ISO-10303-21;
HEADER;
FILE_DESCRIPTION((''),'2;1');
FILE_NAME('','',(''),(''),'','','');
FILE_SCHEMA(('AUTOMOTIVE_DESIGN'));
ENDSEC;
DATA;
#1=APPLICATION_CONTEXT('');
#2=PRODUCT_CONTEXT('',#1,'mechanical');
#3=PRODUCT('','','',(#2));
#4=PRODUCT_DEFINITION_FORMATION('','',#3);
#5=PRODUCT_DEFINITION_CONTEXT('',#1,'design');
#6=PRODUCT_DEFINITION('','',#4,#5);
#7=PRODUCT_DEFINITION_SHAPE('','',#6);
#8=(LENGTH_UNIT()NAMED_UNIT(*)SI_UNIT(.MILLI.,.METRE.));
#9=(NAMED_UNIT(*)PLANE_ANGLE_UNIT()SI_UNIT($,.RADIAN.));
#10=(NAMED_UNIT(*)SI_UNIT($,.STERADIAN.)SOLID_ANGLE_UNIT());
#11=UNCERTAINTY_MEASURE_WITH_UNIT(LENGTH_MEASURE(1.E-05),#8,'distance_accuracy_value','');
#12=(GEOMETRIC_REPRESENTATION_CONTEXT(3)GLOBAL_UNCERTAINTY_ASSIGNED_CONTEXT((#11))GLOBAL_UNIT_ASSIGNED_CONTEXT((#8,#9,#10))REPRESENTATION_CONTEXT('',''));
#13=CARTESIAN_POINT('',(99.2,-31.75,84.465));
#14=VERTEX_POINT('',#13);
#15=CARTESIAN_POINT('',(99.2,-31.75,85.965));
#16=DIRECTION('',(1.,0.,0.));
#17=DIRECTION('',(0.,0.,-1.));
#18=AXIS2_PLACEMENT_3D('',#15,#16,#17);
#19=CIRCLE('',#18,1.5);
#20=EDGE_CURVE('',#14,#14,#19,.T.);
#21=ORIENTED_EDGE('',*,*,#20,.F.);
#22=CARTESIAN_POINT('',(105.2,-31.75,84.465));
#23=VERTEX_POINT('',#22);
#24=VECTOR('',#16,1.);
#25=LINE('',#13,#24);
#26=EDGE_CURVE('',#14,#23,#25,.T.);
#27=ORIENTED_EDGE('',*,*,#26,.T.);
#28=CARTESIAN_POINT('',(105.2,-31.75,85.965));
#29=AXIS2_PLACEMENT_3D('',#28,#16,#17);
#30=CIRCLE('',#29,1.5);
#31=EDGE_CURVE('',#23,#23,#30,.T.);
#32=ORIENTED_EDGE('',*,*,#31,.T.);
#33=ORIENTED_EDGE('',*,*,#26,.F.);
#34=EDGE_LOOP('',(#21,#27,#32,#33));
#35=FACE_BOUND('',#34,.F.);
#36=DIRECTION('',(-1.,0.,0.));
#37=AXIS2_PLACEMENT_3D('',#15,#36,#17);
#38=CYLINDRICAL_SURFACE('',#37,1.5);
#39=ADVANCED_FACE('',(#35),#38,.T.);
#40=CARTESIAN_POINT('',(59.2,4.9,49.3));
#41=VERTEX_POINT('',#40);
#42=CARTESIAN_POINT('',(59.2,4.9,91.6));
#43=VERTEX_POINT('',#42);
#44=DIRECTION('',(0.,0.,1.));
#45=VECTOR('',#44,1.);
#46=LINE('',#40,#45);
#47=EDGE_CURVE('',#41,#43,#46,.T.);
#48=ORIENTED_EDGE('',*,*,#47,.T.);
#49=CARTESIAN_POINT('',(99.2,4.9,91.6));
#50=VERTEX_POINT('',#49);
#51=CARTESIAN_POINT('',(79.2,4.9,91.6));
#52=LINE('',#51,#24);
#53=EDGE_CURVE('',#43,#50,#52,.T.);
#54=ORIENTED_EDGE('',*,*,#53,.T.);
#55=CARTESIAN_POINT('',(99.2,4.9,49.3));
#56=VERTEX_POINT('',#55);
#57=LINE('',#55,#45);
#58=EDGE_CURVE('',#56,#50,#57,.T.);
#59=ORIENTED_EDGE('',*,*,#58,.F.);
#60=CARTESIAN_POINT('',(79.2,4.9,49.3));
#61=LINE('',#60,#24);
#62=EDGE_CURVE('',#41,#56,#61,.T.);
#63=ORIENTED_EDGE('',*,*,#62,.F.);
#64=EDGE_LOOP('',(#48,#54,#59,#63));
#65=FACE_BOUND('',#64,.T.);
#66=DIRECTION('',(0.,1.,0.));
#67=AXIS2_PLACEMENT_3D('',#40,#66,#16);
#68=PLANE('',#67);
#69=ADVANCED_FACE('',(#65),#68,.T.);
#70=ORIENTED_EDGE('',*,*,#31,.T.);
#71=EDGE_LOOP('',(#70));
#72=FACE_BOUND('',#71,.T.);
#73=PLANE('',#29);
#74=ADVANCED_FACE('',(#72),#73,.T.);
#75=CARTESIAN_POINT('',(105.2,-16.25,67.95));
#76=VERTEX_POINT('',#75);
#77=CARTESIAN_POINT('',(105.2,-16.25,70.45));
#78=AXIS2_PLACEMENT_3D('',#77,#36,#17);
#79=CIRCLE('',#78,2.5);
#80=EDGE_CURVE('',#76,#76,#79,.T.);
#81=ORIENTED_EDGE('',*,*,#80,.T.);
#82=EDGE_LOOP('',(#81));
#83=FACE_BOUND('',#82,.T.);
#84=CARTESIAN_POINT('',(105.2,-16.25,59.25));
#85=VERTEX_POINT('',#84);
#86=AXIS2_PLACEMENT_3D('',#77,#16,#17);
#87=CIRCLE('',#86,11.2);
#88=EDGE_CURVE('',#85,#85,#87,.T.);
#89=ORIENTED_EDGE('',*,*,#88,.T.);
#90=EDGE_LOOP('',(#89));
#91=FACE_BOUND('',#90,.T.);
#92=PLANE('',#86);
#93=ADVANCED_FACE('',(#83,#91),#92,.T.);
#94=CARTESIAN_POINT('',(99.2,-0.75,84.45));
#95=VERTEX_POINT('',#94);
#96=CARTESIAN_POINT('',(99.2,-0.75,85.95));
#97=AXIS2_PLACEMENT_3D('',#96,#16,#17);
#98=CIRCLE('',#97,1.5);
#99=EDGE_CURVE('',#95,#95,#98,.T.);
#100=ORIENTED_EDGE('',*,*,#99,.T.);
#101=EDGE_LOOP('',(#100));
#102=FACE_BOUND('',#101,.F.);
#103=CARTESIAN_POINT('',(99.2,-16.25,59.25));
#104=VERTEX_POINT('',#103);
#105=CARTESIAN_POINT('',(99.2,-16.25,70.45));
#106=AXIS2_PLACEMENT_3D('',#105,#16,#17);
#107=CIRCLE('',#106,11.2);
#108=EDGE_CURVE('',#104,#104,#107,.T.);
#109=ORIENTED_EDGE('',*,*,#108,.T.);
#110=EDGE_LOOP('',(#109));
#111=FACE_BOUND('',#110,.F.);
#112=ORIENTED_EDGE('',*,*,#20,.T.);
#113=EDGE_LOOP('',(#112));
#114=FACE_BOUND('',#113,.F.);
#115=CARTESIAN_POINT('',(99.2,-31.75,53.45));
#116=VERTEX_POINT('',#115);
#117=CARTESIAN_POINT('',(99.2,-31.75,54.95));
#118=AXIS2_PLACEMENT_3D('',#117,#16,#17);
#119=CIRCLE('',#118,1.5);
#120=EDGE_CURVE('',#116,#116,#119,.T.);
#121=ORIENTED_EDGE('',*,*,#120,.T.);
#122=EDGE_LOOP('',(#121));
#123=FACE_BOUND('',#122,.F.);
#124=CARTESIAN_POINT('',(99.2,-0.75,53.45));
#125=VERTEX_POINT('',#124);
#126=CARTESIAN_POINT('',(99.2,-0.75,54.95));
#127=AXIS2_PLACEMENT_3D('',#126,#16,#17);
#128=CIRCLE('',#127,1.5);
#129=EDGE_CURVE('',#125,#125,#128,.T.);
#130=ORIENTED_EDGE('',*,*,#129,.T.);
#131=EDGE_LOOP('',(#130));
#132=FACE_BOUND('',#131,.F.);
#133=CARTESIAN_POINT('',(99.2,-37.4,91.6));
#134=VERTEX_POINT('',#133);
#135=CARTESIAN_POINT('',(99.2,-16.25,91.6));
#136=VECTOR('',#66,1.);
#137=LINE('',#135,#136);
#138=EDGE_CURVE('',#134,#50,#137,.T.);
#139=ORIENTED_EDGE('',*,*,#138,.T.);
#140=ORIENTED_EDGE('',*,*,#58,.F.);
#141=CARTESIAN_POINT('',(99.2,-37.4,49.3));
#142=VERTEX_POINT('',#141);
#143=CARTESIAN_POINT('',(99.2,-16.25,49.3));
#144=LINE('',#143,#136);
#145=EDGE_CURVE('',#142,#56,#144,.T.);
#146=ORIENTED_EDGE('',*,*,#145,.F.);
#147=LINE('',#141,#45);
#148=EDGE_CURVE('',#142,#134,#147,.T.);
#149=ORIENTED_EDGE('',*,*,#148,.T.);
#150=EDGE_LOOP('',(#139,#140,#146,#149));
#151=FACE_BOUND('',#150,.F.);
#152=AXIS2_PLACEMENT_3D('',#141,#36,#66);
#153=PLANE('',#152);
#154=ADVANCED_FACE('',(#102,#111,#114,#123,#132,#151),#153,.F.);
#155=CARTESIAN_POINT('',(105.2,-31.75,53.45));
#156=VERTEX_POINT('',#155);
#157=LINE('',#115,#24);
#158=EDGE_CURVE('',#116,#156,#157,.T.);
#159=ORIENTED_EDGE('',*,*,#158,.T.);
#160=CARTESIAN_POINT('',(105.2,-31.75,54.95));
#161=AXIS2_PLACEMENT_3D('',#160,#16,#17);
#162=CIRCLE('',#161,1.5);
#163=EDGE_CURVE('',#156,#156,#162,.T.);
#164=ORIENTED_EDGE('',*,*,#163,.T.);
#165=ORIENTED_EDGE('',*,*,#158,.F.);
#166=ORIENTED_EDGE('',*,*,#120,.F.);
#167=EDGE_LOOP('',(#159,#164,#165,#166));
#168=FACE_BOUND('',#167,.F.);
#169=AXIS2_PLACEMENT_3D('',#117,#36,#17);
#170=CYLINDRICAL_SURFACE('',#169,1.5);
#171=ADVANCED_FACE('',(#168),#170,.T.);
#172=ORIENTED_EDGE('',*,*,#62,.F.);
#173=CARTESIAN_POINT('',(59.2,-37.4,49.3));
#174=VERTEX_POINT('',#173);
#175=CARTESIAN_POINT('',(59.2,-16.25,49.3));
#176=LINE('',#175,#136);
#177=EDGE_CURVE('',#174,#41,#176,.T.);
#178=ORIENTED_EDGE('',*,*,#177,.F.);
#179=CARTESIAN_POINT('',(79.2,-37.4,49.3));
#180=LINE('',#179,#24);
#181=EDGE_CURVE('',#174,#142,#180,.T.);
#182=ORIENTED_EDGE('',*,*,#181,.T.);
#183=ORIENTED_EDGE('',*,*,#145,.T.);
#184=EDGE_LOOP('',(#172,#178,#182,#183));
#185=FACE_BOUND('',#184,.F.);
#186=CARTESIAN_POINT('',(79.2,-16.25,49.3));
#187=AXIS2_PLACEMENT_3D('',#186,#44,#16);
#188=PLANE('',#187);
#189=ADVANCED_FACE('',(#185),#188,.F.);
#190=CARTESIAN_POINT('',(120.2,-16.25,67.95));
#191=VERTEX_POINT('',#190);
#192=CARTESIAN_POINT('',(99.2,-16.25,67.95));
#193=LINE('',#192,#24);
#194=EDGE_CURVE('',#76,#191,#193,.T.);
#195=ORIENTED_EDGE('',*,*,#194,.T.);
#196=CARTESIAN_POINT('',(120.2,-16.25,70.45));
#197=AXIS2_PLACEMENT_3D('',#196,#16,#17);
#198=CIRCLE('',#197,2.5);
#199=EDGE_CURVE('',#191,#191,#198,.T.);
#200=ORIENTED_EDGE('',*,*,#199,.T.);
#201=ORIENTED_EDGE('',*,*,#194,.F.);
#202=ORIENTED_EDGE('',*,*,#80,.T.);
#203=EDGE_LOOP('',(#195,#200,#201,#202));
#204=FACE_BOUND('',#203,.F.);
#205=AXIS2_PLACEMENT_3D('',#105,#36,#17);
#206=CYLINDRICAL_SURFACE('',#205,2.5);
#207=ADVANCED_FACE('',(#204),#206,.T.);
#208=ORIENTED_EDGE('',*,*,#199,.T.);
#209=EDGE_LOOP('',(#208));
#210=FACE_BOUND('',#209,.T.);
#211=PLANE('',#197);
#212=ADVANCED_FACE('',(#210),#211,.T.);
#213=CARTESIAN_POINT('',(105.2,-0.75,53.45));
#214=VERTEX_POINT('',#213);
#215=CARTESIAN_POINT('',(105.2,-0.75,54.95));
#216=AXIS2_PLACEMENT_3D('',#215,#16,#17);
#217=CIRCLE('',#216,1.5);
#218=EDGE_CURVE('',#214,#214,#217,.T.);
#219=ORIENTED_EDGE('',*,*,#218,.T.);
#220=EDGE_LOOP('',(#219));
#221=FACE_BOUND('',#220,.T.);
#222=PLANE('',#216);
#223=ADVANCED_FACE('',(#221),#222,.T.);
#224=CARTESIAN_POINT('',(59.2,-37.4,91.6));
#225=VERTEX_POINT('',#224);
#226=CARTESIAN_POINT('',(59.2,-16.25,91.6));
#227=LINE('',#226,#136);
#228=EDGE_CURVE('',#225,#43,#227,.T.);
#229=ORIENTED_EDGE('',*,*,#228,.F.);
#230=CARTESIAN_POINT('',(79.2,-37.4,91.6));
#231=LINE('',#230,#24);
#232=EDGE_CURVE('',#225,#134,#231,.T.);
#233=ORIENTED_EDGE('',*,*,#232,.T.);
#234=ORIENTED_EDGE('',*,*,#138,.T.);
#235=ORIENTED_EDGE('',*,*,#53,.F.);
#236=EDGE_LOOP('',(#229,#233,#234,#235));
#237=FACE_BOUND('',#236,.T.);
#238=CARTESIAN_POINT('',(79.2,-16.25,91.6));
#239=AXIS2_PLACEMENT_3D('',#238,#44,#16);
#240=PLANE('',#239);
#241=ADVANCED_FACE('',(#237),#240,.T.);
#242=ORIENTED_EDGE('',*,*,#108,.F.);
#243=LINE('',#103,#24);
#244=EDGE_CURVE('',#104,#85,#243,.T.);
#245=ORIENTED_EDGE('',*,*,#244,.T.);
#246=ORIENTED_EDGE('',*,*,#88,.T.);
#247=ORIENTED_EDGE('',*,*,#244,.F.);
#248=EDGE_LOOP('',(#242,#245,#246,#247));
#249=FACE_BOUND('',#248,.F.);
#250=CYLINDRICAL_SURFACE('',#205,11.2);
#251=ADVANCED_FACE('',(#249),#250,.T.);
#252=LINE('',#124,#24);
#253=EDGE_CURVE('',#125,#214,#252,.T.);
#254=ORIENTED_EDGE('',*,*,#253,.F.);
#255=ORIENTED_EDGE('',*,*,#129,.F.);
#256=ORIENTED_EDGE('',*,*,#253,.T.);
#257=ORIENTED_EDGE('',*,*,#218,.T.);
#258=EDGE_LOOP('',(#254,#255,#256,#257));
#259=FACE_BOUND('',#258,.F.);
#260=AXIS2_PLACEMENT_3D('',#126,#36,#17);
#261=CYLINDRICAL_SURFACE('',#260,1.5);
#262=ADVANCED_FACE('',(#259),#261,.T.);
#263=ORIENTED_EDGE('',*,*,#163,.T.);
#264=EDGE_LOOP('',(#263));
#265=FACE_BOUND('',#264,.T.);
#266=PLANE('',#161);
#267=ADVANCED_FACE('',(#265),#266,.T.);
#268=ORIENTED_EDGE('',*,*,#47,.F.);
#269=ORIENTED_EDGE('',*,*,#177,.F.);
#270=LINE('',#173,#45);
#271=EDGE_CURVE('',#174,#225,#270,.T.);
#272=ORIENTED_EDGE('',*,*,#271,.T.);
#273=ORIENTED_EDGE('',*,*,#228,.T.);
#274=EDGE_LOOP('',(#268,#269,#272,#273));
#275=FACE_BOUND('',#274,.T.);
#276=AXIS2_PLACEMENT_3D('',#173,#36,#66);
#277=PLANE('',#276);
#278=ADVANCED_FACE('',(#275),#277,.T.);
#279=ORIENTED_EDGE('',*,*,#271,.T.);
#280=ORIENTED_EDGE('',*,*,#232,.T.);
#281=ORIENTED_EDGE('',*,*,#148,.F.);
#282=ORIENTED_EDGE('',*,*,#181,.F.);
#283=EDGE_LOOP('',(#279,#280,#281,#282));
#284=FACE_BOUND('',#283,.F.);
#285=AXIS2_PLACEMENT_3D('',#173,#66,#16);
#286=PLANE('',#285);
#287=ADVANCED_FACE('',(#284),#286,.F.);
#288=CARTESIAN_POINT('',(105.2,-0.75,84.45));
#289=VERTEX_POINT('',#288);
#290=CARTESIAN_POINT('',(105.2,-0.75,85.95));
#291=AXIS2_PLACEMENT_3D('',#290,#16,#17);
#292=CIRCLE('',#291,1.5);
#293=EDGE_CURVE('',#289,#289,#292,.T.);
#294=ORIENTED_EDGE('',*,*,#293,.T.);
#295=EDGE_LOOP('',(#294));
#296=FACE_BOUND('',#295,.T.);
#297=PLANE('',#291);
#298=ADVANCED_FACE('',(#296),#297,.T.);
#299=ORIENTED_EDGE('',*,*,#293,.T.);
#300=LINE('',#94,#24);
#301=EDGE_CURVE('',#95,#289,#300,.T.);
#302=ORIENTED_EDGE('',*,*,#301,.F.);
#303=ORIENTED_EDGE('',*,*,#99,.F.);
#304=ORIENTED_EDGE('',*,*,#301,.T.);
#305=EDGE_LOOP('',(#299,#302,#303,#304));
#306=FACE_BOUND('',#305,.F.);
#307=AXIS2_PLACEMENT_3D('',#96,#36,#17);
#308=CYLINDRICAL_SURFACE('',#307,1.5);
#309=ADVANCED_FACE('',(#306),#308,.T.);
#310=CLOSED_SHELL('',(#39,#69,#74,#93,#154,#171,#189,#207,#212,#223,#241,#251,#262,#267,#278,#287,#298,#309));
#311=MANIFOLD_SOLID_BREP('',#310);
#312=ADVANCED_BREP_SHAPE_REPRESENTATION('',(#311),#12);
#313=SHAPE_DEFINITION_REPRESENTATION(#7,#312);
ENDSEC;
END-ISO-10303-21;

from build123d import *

# Parameters (mm, degrees)
CYLINDER231_R     = 1.5
CYLINDER231_DEPTH = 6
CYLINDER229_R     = 1.5
CYLINDER229_DEPTH = 6
CYLINDER227_R     = 11.2
CYLINDER227_DEPTH = 6
CYLINDER_R        = 2.5
CYLINDER_DEPTH    = 21
CYLINDER230_R     = 1.5
CYLINDER230_DEPTH = 6
CYLINDER228_R     = 1.5
CYLINDER228_DEPTH = 6
BOX_W             = 40
BOX_H             = 42.3
BOX_DEPTH         = 42.3


with BuildPart() as cylinder231:
    # Cylinder231 → Cylinder231 (new body)
    with BuildSketch(Plane(origin=(40, 5.65, 36.665), x_dir=(0, 0, -1), z_dir=(1, 0, 0))):
        Circle(CYLINDER231_R)
    extrude(amount=CYLINDER231_DEPTH)


with BuildPart() as cylinder229:
    # Cylinder229 → Cylinder229 (new body)
    with BuildSketch(Plane(origin=(40, 36.65, 36.65), x_dir=(0, 0, -1), z_dir=(1, 0, 0))):
        Circle(CYLINDER229_R)
    extrude(amount=CYLINDER229_DEPTH)


with BuildPart() as cylinder227:
    # Cylinder227 → Cylinder227 (new body)
    with BuildSketch(Plane(origin=(40, 21.15, 21.15), x_dir=(0, 0, -1), z_dir=(1, 0, 0))):
        Circle(CYLINDER227_R)
    extrude(amount=CYLINDER227_DEPTH)


with BuildPart() as cylinder:
    # Cylinder → Cylinder (new body)
    with BuildSketch(Plane(origin=(40, 21.15, 21.15), x_dir=(0, 0, -1), z_dir=(1, 0, 0))):
        Circle(CYLINDER_R)
    extrude(amount=CYLINDER_DEPTH)


with BuildPart() as cylinder230:
    # Cylinder230 → Cylinder230 (new body)
    with BuildSketch(Plane(origin=(40, 5.65, 5.65), x_dir=(0, 0, -1), z_dir=(1, 0, 0))):
        Circle(CYLINDER230_R)
    extrude(amount=CYLINDER230_DEPTH)


with BuildPart() as cylinder228:
    # Cylinder228 → Cylinder228 (new body)
    with BuildSketch(Plane(origin=(40, 36.65, 5.65), x_dir=(0, 0, -1), z_dir=(1, 0, 0))):
        Circle(CYLINDER228_R)
    extrude(amount=CYLINDER228_DEPTH)


with BuildPart() as fusion:
    # Box → Box (new body)
    with BuildSketch(Plane.XY):
        with Locations((20, 21.15)):
            Rectangle(BOX_W, BOX_H)
    extrude(amount=BOX_DEPTH)

    # Fusion: union Cylinder231, Cylinder229, Cylinder227, Cylinder, Cylinder230, Cylinder228
    add(cylinder231.part)
    add(cylinder229.part)
    add(cylinder227.part)
    add(cylinder.part)
    add(cylinder230.part)
    add(cylinder228.part)


with BuildPart() as fusion_1:
    # Fusion placement: moved
    add(fusion.part.moved(Location((59.2, -37.4, 49.3))))


solid = fusion_1.part
